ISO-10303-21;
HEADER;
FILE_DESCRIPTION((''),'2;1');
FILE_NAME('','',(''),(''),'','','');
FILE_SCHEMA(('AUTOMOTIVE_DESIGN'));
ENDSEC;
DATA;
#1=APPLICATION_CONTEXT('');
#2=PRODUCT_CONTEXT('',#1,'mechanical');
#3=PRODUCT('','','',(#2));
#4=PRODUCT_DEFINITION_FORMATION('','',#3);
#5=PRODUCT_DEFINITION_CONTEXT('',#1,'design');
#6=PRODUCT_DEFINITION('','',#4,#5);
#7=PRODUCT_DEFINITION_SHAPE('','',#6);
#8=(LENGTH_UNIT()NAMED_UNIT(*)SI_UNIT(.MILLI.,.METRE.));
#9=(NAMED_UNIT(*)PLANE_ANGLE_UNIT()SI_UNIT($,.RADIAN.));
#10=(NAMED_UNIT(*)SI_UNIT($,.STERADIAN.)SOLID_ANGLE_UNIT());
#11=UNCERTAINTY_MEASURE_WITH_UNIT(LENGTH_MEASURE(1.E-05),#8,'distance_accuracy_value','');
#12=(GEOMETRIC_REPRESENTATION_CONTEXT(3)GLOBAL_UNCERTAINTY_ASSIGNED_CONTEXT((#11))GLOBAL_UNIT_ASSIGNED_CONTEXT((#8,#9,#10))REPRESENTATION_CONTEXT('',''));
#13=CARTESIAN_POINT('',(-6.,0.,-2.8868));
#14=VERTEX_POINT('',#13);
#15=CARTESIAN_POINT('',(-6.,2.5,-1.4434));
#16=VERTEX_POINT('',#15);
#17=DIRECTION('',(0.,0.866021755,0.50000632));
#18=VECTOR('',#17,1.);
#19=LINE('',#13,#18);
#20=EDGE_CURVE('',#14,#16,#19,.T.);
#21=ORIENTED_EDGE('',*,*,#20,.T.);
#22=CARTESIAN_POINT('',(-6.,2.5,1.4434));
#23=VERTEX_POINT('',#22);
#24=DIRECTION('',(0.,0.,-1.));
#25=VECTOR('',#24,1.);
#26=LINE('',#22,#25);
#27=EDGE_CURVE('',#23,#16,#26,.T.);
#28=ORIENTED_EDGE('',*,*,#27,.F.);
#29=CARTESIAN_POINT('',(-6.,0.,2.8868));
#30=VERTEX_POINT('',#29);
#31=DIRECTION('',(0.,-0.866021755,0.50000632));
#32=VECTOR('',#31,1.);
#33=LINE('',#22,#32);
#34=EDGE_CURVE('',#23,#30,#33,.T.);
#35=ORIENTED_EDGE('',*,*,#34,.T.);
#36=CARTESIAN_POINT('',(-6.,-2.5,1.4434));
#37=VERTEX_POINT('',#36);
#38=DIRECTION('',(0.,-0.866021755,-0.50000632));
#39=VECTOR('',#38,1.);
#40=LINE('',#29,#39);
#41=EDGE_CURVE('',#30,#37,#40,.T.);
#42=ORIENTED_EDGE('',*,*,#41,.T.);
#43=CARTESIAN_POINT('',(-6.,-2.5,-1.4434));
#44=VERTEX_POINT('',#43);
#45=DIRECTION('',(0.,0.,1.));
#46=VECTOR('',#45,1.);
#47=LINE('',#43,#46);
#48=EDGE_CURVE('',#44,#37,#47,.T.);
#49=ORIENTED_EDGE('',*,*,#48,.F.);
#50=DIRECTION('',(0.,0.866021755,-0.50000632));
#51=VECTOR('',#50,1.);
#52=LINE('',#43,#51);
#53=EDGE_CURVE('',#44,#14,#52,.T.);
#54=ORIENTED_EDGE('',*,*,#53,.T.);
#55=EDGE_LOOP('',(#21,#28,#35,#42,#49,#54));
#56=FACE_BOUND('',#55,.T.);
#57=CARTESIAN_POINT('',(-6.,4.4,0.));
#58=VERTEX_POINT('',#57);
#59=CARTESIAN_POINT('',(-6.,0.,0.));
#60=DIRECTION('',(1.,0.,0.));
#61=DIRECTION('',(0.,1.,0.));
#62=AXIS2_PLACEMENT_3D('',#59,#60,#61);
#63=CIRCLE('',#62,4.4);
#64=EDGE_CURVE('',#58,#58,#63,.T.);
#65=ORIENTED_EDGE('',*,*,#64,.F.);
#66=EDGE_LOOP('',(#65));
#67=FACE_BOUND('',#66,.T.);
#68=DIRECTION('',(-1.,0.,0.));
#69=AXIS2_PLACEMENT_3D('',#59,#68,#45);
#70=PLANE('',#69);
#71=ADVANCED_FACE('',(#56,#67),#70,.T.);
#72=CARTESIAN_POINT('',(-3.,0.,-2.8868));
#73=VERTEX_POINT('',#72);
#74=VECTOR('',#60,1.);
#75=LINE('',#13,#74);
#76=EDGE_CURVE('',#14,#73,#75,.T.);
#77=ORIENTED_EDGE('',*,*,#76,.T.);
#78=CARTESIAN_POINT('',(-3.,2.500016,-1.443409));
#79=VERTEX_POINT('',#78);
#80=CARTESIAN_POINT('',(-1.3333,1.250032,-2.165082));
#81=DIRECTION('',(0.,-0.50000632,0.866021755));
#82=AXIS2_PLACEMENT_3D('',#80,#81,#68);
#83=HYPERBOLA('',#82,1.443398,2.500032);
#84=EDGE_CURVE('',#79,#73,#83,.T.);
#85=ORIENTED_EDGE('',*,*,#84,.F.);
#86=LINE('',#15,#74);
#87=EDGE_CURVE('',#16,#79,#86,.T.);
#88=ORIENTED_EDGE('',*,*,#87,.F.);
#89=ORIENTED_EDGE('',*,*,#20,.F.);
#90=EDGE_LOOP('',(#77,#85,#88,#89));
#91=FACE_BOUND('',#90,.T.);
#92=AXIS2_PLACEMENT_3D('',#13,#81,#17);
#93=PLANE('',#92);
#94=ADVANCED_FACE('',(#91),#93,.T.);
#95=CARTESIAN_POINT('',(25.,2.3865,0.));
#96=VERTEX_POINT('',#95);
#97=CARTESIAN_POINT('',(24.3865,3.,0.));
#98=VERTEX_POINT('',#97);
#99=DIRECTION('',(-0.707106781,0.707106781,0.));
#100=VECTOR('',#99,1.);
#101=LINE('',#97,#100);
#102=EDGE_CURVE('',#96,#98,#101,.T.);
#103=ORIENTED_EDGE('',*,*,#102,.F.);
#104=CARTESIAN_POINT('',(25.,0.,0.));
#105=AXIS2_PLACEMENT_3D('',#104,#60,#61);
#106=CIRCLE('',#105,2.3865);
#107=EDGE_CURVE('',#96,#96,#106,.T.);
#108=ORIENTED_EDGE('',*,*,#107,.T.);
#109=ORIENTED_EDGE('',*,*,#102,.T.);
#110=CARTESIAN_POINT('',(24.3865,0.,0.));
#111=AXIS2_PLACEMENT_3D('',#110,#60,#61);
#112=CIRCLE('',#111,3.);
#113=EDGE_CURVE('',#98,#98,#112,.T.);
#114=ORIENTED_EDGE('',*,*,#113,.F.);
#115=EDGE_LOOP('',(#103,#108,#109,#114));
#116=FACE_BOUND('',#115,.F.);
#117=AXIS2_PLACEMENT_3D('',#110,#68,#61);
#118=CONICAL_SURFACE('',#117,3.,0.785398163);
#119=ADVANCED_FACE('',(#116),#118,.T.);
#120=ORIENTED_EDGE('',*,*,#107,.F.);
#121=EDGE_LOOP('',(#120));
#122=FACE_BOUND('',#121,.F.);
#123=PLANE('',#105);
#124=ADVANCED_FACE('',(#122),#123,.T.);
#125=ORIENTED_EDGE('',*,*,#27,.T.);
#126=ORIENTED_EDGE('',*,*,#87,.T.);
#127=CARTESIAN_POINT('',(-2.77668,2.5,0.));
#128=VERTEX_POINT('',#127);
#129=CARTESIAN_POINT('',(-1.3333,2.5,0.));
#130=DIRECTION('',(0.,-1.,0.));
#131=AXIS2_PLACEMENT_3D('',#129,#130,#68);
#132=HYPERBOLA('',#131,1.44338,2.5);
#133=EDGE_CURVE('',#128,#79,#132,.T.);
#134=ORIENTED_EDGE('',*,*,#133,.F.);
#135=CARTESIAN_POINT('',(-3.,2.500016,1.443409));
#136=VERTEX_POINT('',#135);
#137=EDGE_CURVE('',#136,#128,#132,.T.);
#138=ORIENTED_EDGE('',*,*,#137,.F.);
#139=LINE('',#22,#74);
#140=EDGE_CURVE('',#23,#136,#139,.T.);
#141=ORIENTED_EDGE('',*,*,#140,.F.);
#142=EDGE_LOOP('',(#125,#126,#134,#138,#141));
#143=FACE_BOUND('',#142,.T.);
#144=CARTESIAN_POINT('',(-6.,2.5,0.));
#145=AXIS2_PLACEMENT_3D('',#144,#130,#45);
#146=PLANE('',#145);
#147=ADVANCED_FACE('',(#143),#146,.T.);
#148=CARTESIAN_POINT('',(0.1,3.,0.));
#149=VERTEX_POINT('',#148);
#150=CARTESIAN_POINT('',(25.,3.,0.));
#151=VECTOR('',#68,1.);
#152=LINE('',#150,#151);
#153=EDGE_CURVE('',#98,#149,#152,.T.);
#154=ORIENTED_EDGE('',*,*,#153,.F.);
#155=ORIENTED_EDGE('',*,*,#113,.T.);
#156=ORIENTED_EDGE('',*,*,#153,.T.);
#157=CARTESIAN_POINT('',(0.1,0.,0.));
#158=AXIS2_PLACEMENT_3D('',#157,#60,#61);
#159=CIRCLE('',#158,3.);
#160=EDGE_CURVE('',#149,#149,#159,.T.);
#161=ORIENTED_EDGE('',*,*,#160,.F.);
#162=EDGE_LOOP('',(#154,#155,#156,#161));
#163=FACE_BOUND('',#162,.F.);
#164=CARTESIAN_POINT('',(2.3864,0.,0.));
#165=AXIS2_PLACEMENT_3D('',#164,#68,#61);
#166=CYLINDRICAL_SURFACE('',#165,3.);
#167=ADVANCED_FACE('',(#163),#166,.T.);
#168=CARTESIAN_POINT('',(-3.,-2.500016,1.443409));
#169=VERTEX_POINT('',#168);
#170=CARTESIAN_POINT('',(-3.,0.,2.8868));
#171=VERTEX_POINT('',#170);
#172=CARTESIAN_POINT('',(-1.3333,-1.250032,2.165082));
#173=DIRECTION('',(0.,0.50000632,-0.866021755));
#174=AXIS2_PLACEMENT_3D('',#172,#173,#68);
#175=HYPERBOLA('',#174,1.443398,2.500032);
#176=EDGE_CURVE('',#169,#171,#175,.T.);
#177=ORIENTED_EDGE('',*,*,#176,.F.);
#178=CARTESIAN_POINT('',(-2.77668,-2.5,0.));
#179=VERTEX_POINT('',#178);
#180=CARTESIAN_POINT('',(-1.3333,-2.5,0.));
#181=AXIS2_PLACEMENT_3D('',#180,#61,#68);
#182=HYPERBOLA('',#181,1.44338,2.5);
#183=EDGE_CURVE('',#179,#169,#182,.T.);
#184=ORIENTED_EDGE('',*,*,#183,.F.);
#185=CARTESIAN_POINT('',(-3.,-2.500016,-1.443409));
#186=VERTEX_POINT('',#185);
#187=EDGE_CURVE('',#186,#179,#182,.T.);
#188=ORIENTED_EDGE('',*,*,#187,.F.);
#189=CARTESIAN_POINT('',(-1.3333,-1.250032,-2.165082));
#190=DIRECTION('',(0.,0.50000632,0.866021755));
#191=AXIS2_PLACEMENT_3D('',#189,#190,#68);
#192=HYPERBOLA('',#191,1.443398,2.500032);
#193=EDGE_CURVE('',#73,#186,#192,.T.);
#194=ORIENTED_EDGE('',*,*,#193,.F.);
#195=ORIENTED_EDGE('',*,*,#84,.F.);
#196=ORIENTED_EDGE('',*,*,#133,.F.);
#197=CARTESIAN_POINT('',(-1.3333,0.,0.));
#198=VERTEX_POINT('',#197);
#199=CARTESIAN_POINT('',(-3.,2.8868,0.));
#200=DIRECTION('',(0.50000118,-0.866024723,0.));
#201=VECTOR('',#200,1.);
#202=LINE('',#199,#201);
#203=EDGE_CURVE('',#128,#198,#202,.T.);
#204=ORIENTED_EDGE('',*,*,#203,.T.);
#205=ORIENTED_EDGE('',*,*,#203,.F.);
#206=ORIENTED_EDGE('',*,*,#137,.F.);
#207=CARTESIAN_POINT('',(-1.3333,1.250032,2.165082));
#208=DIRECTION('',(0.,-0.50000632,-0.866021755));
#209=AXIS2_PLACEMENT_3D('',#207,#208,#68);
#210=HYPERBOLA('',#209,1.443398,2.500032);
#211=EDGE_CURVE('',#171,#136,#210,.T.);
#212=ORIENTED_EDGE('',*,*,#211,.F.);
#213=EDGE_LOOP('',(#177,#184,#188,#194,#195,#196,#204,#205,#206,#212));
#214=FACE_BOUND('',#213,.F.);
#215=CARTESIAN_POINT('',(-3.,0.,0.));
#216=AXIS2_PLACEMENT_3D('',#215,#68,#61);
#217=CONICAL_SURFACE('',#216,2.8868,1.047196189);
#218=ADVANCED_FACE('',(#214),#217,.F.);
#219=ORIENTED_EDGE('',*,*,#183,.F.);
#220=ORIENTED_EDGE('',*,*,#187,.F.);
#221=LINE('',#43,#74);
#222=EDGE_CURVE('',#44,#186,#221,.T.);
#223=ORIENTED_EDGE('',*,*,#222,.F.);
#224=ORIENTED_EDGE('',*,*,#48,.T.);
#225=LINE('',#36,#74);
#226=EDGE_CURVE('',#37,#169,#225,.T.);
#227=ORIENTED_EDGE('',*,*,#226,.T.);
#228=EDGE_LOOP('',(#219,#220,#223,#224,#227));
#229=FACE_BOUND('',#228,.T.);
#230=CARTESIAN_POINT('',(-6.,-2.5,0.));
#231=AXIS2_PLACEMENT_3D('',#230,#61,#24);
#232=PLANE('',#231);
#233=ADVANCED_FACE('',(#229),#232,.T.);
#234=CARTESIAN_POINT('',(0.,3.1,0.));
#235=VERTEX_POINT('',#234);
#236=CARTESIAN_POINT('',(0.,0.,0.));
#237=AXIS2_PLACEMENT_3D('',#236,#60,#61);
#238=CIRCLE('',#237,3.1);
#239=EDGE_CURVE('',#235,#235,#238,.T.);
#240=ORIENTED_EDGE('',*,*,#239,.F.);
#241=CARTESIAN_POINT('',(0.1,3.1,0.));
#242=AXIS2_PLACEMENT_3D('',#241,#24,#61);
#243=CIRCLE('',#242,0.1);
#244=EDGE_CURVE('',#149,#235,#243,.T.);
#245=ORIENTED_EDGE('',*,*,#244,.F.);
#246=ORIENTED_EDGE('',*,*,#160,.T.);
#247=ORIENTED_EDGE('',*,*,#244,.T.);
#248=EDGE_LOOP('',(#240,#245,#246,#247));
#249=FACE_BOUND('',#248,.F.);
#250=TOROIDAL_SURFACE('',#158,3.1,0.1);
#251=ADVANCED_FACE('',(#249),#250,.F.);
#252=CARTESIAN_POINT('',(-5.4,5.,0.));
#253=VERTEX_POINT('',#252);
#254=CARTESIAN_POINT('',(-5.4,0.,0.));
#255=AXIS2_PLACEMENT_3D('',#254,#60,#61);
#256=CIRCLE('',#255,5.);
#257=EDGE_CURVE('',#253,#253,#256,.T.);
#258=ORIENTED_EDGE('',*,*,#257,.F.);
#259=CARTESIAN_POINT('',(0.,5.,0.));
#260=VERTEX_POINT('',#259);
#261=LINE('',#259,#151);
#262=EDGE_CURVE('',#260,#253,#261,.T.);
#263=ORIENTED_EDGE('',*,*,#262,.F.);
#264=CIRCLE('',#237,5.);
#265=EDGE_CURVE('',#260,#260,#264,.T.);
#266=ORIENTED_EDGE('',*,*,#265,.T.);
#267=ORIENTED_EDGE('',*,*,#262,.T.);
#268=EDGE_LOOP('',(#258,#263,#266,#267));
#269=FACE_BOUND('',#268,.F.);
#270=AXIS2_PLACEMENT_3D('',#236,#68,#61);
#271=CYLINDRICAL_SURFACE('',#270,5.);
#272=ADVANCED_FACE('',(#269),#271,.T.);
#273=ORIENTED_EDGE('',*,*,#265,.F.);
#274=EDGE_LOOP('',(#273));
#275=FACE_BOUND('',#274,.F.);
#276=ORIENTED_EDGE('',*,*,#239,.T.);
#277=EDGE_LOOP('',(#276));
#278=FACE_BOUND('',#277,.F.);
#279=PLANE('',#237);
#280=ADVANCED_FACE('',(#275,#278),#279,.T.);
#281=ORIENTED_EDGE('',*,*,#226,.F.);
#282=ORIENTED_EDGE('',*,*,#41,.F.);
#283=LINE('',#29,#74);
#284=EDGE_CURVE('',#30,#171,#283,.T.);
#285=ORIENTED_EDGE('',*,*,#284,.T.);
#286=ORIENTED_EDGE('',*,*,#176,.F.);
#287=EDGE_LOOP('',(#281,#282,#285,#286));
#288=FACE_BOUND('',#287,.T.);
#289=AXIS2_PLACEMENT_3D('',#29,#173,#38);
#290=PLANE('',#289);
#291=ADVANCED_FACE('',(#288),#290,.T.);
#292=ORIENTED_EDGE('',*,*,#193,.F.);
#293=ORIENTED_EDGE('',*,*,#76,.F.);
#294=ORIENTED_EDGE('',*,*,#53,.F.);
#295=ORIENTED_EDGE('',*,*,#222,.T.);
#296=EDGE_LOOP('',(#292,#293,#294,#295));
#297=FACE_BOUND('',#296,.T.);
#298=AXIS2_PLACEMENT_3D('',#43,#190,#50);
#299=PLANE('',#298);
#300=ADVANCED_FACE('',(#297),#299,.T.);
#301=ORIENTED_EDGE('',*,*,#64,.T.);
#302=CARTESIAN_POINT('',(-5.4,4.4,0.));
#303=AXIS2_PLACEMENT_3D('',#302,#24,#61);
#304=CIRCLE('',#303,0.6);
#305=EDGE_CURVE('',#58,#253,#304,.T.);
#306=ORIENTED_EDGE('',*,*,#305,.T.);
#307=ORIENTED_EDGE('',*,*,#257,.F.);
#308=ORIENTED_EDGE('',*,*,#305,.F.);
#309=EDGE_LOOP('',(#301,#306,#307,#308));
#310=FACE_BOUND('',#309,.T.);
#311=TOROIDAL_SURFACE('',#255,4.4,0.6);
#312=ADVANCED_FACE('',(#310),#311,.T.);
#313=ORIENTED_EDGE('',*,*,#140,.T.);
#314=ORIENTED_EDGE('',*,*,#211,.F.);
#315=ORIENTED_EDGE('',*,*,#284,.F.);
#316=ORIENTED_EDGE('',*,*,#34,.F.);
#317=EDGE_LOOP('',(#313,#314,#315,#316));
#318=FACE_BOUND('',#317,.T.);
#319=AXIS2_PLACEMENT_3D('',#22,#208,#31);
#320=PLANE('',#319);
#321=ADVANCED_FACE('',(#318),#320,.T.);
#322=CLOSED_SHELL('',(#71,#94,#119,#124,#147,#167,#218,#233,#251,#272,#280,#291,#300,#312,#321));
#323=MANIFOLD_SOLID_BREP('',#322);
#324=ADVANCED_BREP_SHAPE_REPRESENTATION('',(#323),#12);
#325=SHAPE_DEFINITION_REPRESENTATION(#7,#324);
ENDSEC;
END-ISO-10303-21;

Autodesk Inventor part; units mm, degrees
ref_plane "YZ Plane" through (0, 0, 0) normal (1, 0, 0) x (0, 1, 0)
ref_plane "XZ Plane" through (0, 0, 0) normal (0, 1, 0) x (-1, 0, 0)
sketch "Szkic1" plane through (0, 0, 0) normal (0, 0, 1) x (1, 0, 0)
  line L0 (-1.3333, 0) -> (25, 0)
  line L1 (25, 0) -> (25, 3)
  line L2 (25, 3) -> (3, 3)
  line L3 (3, 3) -> (2.3864, 3)
  line L4 (2.3864, 3) -> (0, 3)
  line L5 (0, 3) -> (0, 5)
  line L6 (0, 5) -> (-6, 5)
  line L7 (-6, 5) -> (-6, 2.8868)
  line L8 (-6, 2.8868) -> (-3, 2.8868)
  line L9 (-3, 2.8868) -> (-1.3333, 0)
  line L10 (-12.2, 0) -> (31.2, 0) projected
  line L11 (0, -1) -> (0, 6) projected
  line L12 (3, 3) -> (0, 3) construction
  dimension "d1" = 22
  dimension "d2" = 0.6136
  dimension "d3" = 6
  dimension "d4" = 3
  dimension "d5" = 60
  dimension "d6" = 6
  dimension "d7" = 6
  dimension "d8" = 5.7735
  dimension "d9" = 10
  dimension "d26" = 25
revolve "Bryła" add sketch "Szkic1" angle 360 about axis through (-1.3333, 0, 0) along (1, 0, 0)
sketch "Szkic2" plane through (-6, 0, 0) normal (-1, 0, 0) x (0, 0, 1)
  circle A0 centre (0, 0) radius 2.8868 projected
  line L0 (0, -7) -> (0, 7) projected
  line L1 (-7, 0) -> (7, 0) projected
  line L2 (2.8868, 0) -> (1.4434, -2.5)
  line L3 (1.4434, -2.5) -> (-1.4434, -2.5)
  line L4 (-1.4434, -2.5) -> (-2.8868, 0)
  line L5 (-2.8868, 0) -> (-1.4434, 2.5)
  line L6 (-1.4434, 2.5) -> (1.4434, 2.5)
  line L7 (1.4434, 2.5) -> (2.8868, 0)
extrude "Szczelina" add sketch "Szkic2" against normal up to next contours L7 A0 | A0 L2 | L6 L0 A0 | A0 L0 L3 | L0 L6 A0 | A0 L3 L0 | L4 A0 | A0 L5
fillet "Zaokrąglenie1" radius 0.6 1 edges at (-6, -5, 0)
thread "Gwint" size "M6x1" class "6g" standard "ISO Metric profile" length 22
chamfer "Faza1" distance 0.6135 distance2 0.6135 1 edges at (25, -3, 0) measured on face at (25, -0.5681, -0.823)
ref_plane "Work Plane1" through (29, 0, 0) normal (0, -1, 0) x (1, 0, 0)
fillet "Fillet2" radius 0.1 1 edges at (0, -3, 0)
equation "\"d1\" = GEL"
equation "\"d3\" = KOH"
equation "\"d4\" = INTI"
equation "\"d6\" = GD"
equation "\"d7\" = BDM"
equation "\"d8\" = 1.1547 * SW"
equation "\"d9\" = KOD"
equation "\"d26\" = NLG"
equation "\"d30\" = R"
equation "\"d17\" = RR"
equation "\"d13\" = GEL"
equation "\"d15\" = -0.5 * SPD + 0.5 * GD"
equation "\"d16\" = GUL"
equation "\"GD\" = 6"
equation "\"NLG\" = 25"
equation "\"GEL\" = 22"
equation "\"KOD\" = 10"
equation "\"KOH\" = 6"
equation "\"INTI\" = 3"
equation "\"GAL\" = 0.61345 * PTC"
equation "\"GUL\" = 0.61345 * PTC"
equation "\"BDM\" = NND"
equation "\"SW\" = 5"
equation "\"RR\" = 0.6"
equation "\"SPD\" = NND - 1.2269 * PTC"
equation "\"R\" = 0.1"
equation "\"TOA\" = 30deg"
equation "\"GD1\" = THREADDIA - 1.2269 * PTC"
equation "\"THREADDIA\" = 6"
equation "\"FAWI\" = 45deg"
equation "\"PTC\" = 1"
equation "\"NND\" = 6"
equation "\"E0\" = 1.155 * SW"
properties part number "ISO 4762  - M6 x 25" material "Stal nierdzewna 440C"
